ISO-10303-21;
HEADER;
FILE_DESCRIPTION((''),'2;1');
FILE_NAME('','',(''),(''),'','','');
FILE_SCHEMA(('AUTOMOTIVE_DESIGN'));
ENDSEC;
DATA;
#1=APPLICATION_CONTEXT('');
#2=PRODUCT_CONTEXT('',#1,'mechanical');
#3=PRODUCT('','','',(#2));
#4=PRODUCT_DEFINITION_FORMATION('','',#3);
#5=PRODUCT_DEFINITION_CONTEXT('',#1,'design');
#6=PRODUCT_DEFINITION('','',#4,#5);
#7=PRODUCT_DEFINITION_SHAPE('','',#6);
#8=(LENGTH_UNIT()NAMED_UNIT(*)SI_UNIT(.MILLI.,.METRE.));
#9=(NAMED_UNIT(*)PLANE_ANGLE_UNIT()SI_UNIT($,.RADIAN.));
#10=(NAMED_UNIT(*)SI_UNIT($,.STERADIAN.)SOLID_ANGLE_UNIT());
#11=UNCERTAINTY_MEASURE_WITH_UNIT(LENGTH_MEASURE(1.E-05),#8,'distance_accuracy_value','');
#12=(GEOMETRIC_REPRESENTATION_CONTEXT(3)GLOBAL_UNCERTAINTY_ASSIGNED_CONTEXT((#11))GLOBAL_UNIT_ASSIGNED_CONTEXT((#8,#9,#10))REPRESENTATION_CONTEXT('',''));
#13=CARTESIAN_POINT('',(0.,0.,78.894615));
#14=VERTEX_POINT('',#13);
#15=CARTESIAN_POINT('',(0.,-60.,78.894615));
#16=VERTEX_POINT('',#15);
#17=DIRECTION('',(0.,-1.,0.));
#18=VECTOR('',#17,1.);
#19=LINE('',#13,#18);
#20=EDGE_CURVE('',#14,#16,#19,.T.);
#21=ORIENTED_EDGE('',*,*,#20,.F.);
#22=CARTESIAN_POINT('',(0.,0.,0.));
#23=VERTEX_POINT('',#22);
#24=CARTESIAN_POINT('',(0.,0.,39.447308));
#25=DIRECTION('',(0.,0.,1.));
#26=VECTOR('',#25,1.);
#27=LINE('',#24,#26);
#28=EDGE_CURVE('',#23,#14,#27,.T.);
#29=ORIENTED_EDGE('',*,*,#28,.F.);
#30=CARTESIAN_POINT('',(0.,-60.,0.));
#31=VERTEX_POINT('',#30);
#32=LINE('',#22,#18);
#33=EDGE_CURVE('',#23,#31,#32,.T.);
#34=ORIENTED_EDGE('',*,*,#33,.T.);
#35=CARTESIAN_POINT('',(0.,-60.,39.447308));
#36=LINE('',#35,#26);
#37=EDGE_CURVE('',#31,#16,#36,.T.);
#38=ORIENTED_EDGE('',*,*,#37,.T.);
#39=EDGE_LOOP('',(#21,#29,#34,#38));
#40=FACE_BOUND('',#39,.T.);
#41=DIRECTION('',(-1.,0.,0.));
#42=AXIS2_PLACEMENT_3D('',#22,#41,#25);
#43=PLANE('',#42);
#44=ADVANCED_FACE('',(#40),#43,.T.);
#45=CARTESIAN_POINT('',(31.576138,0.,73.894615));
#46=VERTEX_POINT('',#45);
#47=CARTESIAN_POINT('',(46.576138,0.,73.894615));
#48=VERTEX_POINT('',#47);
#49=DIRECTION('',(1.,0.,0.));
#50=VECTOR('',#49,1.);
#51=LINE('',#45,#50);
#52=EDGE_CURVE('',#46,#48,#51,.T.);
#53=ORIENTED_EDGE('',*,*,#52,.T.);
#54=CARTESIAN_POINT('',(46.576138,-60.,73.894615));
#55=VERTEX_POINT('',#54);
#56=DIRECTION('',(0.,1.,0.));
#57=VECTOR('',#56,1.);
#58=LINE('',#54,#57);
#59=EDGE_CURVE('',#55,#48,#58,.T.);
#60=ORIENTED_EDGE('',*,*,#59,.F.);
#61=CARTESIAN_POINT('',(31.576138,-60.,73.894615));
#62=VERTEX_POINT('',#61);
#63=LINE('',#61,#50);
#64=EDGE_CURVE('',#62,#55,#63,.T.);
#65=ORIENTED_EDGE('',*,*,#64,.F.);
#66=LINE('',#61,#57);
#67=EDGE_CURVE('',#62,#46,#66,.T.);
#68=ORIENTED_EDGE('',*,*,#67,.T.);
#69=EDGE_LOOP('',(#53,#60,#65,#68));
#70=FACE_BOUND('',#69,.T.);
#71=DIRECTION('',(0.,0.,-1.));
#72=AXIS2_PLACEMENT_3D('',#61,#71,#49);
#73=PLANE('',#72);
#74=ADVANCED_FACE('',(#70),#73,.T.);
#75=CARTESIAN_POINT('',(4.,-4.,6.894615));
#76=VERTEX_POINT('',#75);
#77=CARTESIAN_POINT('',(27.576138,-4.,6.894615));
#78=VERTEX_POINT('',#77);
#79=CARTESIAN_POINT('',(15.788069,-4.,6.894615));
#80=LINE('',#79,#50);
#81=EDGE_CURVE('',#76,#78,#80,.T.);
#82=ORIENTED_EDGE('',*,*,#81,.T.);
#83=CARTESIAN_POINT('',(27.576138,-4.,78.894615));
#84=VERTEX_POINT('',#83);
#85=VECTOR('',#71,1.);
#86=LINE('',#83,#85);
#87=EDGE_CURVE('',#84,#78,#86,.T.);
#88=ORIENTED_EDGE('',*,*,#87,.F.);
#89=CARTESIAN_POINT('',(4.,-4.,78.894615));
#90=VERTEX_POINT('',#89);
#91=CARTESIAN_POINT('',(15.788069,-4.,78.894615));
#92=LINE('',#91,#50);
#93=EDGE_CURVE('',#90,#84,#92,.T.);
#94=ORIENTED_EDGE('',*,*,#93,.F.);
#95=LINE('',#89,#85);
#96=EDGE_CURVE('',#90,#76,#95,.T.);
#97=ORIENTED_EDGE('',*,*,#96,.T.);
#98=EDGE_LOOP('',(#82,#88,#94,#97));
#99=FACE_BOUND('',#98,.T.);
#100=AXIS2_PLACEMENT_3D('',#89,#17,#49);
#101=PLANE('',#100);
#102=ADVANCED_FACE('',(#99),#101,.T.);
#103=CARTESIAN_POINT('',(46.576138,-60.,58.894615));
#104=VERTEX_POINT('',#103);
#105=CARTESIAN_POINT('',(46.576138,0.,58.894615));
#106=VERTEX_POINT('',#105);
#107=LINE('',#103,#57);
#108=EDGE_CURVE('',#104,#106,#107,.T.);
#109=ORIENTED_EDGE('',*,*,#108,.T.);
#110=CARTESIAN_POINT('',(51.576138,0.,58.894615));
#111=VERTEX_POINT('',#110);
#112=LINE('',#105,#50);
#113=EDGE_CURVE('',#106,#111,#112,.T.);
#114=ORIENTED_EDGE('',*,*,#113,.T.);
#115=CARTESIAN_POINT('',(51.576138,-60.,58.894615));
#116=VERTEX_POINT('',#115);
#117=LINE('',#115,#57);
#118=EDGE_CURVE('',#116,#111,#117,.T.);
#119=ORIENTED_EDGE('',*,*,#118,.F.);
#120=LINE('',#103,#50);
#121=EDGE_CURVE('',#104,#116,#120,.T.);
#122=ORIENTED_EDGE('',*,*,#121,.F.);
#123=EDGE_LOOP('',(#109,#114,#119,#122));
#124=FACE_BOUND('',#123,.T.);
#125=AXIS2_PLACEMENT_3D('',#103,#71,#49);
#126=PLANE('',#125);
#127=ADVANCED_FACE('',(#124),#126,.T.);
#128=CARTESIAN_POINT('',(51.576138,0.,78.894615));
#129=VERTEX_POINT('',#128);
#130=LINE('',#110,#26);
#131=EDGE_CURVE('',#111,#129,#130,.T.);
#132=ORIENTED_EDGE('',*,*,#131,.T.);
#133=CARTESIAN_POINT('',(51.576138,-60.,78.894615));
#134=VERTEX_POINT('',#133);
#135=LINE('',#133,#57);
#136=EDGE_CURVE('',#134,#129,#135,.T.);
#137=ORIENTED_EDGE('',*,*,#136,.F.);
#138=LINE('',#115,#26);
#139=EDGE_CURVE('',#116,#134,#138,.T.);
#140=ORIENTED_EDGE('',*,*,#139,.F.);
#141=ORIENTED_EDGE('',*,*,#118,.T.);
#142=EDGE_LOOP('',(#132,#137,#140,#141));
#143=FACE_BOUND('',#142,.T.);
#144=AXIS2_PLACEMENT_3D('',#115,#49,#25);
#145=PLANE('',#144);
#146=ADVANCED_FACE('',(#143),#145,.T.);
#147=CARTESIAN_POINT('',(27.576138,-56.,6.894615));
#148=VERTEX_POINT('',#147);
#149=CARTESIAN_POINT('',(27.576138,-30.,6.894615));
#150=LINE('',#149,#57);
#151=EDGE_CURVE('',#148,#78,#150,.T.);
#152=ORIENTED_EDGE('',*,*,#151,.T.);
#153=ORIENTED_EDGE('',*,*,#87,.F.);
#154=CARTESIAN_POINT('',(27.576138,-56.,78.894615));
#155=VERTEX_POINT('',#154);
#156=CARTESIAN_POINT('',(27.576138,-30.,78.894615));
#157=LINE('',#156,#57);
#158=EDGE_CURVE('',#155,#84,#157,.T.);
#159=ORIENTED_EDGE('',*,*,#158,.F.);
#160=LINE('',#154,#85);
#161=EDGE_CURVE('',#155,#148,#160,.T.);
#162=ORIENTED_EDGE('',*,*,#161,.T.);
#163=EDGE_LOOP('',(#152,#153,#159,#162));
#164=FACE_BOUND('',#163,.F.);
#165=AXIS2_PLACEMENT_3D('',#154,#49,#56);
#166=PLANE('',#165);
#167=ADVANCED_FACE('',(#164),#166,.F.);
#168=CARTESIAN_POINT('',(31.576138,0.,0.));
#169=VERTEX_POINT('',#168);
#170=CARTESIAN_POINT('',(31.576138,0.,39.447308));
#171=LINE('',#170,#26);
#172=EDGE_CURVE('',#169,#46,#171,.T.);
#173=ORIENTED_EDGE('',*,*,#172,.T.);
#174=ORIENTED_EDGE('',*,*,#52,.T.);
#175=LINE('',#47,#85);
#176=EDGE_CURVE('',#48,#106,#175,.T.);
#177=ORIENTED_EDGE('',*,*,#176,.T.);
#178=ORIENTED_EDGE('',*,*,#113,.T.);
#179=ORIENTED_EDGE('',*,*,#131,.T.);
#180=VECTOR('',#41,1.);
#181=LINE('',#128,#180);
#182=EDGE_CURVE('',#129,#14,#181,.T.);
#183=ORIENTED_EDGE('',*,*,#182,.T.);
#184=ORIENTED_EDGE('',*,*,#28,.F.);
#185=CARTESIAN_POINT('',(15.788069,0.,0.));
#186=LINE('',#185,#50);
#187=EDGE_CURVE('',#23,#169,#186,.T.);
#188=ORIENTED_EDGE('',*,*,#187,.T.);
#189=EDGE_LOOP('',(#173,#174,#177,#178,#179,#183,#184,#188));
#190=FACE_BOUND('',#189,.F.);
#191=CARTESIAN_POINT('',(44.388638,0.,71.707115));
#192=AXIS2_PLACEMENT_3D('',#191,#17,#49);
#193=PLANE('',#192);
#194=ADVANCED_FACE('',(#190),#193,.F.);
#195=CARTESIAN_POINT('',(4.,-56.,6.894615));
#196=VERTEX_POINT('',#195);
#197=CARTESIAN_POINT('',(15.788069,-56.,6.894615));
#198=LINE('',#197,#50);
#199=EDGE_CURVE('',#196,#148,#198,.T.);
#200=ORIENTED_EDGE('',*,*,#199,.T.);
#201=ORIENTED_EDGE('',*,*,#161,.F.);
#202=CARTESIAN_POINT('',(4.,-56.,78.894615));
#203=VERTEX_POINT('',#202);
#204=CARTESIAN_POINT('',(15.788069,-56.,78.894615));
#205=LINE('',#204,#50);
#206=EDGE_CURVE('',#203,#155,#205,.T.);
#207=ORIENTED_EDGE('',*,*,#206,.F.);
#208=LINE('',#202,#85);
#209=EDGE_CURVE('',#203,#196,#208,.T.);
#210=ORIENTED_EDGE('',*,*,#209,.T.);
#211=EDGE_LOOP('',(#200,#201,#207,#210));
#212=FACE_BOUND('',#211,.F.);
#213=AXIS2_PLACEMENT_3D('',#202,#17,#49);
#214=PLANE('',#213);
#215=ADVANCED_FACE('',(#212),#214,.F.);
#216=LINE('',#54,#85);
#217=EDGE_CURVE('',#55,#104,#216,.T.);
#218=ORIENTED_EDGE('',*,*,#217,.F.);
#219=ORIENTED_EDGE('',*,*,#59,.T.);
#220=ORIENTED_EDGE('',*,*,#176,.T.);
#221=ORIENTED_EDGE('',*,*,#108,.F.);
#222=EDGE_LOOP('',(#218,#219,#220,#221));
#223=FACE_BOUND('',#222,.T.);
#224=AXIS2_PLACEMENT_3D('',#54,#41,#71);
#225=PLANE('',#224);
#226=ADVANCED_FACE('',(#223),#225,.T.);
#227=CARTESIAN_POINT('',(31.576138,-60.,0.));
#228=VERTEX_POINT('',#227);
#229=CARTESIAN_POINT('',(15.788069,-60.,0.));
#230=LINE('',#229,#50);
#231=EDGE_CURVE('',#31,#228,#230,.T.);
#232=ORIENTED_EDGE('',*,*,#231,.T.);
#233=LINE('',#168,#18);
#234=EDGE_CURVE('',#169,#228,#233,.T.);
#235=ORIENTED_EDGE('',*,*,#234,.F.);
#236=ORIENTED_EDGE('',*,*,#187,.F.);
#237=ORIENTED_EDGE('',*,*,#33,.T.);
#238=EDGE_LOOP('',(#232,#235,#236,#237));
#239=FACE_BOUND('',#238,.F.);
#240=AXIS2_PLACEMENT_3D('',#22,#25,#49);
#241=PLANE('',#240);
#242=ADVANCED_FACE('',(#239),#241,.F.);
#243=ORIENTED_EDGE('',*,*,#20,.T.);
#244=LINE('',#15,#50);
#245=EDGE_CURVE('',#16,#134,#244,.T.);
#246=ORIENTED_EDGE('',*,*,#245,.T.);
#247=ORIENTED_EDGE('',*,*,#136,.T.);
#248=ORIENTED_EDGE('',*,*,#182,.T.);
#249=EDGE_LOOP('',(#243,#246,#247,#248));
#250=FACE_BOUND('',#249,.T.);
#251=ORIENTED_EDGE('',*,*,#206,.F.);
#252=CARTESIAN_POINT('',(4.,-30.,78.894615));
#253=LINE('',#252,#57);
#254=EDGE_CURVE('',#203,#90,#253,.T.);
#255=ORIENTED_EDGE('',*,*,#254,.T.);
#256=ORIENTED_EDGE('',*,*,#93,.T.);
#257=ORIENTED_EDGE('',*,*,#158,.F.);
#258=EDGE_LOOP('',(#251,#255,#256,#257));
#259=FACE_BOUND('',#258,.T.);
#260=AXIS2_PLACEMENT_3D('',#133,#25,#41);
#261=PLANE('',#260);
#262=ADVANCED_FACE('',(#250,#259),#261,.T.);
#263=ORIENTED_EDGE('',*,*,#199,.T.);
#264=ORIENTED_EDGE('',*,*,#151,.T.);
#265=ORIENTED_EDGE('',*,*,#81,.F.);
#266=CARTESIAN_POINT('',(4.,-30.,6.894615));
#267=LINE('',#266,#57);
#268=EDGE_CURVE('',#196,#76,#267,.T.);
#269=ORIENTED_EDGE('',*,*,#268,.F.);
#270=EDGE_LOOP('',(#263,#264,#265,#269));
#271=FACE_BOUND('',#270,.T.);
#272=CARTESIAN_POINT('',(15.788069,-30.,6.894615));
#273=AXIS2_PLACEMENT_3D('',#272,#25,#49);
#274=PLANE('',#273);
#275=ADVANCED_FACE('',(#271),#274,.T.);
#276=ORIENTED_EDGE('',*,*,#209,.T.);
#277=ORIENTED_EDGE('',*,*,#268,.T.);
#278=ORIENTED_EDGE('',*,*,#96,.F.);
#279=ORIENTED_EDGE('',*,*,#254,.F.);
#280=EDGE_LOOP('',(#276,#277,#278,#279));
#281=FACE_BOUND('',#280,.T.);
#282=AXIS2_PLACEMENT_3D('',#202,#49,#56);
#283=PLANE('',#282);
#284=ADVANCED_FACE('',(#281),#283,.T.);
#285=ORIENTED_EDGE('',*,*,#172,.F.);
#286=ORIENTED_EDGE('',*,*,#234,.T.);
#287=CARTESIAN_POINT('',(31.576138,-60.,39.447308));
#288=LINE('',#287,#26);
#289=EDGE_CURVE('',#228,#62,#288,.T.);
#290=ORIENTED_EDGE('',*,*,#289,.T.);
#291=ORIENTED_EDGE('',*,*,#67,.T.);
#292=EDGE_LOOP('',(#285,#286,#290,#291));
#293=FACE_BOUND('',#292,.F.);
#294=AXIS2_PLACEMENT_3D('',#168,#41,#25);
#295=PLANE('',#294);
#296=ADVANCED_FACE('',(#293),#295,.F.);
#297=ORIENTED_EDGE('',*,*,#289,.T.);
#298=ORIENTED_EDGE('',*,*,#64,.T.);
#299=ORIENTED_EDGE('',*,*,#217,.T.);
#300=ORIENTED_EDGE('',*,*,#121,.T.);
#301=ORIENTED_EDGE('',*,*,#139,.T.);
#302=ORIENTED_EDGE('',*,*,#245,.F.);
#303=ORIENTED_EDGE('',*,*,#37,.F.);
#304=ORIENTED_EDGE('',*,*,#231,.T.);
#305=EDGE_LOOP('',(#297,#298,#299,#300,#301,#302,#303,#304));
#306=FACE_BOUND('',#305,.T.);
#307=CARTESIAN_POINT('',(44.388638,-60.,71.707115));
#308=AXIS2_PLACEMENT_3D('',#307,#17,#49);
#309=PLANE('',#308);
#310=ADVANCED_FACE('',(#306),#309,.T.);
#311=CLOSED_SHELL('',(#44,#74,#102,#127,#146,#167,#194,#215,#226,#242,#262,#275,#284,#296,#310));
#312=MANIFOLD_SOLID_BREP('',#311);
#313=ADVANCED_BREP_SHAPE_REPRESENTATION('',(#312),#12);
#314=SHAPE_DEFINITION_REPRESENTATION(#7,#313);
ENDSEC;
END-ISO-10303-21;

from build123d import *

# Parameters (mm, degrees)
F0_W     = 31.5761379898
F0_H     = 78.8946151733
F1_DEPTH = 60
F2_W     = 23.5761379898
F2_H     = 52
F3_DEPTH = 72
F5_DEPTH = 60


with BuildPart() as f1:
    # F0 (on Front) → F1 (new body)
    with BuildSketch(Plane.XZ):
        with Locations((15.7880689949, 39.4473075867)):
            Rectangle(F0_W, F0_H)
    extrude(amount=F1_DEPTH)

    # F2 (on face) → F3 (cut)
    with BuildSketch(Plane.XY.offset(78.8946151733)):
        with Locations((15.7880689949, -30)):
            Rectangle(F2_W, F2_H)
    extrude(amount=-F3_DEPTH, mode=Mode.SUBTRACT)

    # F4 (on face) → F5 (join)
    with BuildSketch(Plane.XZ.offset(60)):
        Polygon((51.5761379898, 78.8946151733), (31.5761379898, 78.8946151733), (31.5761379898, 73.8946151733), (46.5761379898, 73.8946151733), (46.5761379898, 58.8946151733), (51.5761379898, 58.8946151733), align=None)
    extrude(amount=-F5_DEPTH)


solid = f1.part
